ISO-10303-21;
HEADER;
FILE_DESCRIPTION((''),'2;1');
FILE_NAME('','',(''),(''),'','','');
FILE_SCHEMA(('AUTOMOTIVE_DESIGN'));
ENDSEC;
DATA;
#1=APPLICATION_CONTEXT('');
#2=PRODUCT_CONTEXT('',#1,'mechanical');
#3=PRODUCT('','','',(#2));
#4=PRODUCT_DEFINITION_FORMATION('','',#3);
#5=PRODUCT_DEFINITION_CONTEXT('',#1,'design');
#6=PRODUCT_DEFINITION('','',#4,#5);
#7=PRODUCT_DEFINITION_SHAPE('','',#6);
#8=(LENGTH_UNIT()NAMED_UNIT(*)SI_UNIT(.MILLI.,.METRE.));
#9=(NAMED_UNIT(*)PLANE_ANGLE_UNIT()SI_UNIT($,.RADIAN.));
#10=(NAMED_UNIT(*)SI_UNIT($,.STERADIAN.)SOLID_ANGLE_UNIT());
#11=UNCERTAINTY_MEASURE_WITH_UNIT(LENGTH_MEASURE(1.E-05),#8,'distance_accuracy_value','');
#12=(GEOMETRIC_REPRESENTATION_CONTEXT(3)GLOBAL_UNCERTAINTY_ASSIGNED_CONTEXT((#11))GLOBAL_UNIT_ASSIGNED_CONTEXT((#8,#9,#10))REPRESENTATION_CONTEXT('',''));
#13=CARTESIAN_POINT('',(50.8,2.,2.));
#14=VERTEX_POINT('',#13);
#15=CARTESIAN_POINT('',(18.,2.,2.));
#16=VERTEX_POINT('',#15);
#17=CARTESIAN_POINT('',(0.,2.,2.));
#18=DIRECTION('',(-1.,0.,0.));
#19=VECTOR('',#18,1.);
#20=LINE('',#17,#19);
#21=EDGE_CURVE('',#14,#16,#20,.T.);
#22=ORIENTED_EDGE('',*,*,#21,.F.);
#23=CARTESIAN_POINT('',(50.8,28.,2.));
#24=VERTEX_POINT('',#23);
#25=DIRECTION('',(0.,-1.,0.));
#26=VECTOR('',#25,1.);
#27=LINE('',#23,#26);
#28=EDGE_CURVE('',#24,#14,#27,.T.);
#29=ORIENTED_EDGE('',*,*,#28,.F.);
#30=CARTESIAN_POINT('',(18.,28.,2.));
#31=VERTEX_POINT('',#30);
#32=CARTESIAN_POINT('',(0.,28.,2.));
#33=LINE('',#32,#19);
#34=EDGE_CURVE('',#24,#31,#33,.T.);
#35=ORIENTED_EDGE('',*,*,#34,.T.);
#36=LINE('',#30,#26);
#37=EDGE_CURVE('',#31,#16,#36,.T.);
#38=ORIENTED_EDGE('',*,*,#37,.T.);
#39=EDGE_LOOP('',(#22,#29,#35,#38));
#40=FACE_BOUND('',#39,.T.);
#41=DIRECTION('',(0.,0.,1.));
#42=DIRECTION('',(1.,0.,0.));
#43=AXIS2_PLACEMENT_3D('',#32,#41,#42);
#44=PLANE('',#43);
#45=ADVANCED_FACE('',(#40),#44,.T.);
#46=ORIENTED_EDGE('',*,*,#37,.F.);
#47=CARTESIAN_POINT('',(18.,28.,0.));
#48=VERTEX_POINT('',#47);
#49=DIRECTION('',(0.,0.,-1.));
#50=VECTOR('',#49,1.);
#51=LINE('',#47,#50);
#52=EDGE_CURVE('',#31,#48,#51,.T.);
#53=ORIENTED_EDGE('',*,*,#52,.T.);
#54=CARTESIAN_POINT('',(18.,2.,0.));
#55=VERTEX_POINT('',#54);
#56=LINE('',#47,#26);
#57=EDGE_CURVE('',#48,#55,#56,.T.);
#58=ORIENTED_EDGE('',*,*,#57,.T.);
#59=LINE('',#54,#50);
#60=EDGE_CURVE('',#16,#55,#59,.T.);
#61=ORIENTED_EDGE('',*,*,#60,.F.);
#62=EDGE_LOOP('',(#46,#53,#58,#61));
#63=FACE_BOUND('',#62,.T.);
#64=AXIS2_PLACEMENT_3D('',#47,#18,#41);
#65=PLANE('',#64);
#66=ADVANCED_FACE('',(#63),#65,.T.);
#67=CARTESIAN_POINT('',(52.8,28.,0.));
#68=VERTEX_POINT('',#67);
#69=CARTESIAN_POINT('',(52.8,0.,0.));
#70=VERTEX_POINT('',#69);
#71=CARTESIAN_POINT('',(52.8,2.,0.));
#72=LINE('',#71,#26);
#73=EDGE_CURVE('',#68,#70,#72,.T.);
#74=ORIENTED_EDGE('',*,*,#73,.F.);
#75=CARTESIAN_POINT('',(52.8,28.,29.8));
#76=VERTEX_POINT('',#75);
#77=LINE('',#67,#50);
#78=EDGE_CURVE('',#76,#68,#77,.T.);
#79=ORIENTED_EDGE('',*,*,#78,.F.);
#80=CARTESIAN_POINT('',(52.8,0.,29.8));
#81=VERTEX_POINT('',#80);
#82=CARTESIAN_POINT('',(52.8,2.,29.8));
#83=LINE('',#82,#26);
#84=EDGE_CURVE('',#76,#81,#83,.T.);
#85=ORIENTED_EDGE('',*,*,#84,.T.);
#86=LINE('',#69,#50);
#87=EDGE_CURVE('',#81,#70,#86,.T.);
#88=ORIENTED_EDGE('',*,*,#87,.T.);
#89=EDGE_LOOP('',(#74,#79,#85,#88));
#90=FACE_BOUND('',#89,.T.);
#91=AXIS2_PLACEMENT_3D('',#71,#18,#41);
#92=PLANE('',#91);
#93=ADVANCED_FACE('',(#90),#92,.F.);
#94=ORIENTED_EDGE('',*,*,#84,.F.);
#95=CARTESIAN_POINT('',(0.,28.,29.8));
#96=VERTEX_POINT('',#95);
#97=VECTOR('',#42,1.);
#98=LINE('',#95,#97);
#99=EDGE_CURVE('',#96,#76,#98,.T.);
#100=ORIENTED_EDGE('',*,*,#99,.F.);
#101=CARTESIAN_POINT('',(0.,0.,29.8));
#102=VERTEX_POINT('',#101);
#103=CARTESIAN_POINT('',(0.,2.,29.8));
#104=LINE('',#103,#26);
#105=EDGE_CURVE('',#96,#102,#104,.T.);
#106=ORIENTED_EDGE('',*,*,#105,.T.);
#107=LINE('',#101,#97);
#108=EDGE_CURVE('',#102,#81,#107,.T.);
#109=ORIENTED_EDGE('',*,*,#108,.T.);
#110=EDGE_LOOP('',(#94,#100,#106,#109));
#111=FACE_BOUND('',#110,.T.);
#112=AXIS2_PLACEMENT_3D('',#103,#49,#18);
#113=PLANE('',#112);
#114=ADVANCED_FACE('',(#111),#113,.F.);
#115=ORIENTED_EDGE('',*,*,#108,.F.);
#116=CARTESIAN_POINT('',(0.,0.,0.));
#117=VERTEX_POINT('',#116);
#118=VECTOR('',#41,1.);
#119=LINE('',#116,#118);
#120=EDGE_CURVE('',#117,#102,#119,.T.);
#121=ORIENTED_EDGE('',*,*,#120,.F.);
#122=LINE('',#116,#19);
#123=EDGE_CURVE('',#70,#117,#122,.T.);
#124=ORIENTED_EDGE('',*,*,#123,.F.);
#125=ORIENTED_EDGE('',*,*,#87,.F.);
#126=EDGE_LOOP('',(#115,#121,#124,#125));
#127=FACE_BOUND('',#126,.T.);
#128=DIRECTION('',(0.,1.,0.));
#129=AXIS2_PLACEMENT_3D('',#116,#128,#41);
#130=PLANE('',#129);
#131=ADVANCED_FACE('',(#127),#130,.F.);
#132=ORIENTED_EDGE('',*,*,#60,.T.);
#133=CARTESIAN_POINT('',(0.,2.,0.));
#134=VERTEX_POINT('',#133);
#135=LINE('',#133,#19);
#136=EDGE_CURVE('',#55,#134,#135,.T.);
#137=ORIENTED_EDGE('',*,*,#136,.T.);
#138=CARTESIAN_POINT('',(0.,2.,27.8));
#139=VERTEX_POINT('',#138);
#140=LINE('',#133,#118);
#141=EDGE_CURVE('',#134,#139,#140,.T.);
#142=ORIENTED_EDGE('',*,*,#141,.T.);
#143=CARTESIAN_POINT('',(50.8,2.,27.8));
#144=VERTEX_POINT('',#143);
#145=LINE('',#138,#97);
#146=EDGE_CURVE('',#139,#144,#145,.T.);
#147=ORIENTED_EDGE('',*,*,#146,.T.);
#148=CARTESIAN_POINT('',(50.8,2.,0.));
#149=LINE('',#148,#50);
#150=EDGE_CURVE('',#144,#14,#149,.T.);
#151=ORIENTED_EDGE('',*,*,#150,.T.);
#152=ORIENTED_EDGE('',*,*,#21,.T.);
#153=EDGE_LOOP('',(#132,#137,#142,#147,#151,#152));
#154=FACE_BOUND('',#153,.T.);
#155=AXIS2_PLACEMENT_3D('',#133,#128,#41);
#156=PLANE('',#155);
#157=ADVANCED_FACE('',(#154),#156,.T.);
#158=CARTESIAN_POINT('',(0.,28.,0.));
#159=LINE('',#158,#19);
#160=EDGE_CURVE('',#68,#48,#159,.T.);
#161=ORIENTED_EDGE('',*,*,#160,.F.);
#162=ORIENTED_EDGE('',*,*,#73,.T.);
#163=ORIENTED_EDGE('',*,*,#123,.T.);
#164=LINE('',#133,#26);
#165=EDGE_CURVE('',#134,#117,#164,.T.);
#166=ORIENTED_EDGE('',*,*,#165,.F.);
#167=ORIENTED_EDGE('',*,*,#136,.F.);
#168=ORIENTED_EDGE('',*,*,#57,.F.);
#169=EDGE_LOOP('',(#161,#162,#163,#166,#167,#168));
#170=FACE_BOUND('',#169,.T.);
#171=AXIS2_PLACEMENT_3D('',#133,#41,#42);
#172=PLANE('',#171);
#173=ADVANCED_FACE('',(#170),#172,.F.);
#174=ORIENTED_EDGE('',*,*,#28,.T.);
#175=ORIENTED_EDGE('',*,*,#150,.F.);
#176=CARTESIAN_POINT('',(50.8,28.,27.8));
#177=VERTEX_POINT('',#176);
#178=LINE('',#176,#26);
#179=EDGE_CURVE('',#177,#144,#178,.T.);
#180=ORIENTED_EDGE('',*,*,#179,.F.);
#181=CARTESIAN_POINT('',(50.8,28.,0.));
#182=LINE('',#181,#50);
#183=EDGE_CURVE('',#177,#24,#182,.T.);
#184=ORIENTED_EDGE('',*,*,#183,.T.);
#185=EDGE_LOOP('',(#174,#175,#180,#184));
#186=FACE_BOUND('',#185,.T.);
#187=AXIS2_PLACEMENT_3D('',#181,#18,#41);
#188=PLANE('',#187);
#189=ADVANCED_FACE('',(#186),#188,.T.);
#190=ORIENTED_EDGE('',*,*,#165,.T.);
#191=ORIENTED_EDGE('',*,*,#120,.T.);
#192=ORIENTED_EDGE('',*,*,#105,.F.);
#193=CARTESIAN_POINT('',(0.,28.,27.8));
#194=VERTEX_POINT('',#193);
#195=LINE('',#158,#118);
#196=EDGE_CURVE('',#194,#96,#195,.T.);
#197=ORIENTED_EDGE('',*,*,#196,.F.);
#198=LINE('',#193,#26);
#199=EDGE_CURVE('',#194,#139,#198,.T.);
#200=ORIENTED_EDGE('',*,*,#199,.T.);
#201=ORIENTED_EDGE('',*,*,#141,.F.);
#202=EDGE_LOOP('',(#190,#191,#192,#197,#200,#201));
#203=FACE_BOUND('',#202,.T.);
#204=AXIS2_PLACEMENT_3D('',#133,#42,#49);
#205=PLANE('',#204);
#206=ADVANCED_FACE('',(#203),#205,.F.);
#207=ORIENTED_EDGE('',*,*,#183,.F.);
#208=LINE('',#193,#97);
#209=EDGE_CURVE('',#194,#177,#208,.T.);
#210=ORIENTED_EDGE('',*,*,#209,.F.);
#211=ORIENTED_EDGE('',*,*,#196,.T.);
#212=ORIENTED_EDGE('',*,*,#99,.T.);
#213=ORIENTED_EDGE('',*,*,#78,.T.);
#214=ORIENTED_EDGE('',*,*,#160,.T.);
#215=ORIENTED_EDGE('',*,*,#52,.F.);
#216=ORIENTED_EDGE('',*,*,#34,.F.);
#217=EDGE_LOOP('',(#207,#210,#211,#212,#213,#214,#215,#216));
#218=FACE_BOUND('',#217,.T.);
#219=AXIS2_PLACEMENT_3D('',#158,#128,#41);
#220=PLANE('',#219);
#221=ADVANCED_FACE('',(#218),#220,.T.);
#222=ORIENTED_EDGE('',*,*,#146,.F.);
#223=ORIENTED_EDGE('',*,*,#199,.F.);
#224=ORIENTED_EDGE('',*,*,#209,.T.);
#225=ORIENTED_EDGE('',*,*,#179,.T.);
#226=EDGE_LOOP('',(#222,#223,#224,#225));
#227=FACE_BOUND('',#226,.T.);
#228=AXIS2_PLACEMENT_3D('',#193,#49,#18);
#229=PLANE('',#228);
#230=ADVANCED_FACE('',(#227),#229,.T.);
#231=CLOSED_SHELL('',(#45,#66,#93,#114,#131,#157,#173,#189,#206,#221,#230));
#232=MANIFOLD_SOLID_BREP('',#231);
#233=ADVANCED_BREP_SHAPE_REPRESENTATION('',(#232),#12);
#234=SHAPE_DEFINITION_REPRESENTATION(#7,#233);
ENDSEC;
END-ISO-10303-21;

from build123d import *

# Parameters (mm, degrees)
SKETCH1_W           = 52.8
SKETCH1_H           = 29.8
BOSS_EXTRUDE1_DEPTH = 2
BOSS_EXTRUDE2_DEPTH = 26


with BuildPart() as part:
    # Sketch1 → Boss-Extrude1 (new body)
    with BuildSketch(Plane(origin=(0, 0, 0), x_dir=(1, 0, 0), z_dir=(0, 1, 0))):
        with Locations((26.4, -14.9)):
            Rectangle(SKETCH1_W, SKETCH1_H)
    extrude(amount=BOSS_EXTRUDE1_DEPTH)

    # Sketch2 → Boss-Extrude2 (add)
    with BuildSketch(Plane(origin=(0, 2, 0), x_dir=(1, 0, 0), z_dir=(0, 1, 0))):
        Polygon((0, -27.8), (0, -29.8), (52.8, -29.8), (52.8, 0), (18, 0), (18, -2), (50.8, -2), (50.8, -27.8), align=None)
    extrude(amount=BOSS_EXTRUDE2_DEPTH)


solid = part.part
